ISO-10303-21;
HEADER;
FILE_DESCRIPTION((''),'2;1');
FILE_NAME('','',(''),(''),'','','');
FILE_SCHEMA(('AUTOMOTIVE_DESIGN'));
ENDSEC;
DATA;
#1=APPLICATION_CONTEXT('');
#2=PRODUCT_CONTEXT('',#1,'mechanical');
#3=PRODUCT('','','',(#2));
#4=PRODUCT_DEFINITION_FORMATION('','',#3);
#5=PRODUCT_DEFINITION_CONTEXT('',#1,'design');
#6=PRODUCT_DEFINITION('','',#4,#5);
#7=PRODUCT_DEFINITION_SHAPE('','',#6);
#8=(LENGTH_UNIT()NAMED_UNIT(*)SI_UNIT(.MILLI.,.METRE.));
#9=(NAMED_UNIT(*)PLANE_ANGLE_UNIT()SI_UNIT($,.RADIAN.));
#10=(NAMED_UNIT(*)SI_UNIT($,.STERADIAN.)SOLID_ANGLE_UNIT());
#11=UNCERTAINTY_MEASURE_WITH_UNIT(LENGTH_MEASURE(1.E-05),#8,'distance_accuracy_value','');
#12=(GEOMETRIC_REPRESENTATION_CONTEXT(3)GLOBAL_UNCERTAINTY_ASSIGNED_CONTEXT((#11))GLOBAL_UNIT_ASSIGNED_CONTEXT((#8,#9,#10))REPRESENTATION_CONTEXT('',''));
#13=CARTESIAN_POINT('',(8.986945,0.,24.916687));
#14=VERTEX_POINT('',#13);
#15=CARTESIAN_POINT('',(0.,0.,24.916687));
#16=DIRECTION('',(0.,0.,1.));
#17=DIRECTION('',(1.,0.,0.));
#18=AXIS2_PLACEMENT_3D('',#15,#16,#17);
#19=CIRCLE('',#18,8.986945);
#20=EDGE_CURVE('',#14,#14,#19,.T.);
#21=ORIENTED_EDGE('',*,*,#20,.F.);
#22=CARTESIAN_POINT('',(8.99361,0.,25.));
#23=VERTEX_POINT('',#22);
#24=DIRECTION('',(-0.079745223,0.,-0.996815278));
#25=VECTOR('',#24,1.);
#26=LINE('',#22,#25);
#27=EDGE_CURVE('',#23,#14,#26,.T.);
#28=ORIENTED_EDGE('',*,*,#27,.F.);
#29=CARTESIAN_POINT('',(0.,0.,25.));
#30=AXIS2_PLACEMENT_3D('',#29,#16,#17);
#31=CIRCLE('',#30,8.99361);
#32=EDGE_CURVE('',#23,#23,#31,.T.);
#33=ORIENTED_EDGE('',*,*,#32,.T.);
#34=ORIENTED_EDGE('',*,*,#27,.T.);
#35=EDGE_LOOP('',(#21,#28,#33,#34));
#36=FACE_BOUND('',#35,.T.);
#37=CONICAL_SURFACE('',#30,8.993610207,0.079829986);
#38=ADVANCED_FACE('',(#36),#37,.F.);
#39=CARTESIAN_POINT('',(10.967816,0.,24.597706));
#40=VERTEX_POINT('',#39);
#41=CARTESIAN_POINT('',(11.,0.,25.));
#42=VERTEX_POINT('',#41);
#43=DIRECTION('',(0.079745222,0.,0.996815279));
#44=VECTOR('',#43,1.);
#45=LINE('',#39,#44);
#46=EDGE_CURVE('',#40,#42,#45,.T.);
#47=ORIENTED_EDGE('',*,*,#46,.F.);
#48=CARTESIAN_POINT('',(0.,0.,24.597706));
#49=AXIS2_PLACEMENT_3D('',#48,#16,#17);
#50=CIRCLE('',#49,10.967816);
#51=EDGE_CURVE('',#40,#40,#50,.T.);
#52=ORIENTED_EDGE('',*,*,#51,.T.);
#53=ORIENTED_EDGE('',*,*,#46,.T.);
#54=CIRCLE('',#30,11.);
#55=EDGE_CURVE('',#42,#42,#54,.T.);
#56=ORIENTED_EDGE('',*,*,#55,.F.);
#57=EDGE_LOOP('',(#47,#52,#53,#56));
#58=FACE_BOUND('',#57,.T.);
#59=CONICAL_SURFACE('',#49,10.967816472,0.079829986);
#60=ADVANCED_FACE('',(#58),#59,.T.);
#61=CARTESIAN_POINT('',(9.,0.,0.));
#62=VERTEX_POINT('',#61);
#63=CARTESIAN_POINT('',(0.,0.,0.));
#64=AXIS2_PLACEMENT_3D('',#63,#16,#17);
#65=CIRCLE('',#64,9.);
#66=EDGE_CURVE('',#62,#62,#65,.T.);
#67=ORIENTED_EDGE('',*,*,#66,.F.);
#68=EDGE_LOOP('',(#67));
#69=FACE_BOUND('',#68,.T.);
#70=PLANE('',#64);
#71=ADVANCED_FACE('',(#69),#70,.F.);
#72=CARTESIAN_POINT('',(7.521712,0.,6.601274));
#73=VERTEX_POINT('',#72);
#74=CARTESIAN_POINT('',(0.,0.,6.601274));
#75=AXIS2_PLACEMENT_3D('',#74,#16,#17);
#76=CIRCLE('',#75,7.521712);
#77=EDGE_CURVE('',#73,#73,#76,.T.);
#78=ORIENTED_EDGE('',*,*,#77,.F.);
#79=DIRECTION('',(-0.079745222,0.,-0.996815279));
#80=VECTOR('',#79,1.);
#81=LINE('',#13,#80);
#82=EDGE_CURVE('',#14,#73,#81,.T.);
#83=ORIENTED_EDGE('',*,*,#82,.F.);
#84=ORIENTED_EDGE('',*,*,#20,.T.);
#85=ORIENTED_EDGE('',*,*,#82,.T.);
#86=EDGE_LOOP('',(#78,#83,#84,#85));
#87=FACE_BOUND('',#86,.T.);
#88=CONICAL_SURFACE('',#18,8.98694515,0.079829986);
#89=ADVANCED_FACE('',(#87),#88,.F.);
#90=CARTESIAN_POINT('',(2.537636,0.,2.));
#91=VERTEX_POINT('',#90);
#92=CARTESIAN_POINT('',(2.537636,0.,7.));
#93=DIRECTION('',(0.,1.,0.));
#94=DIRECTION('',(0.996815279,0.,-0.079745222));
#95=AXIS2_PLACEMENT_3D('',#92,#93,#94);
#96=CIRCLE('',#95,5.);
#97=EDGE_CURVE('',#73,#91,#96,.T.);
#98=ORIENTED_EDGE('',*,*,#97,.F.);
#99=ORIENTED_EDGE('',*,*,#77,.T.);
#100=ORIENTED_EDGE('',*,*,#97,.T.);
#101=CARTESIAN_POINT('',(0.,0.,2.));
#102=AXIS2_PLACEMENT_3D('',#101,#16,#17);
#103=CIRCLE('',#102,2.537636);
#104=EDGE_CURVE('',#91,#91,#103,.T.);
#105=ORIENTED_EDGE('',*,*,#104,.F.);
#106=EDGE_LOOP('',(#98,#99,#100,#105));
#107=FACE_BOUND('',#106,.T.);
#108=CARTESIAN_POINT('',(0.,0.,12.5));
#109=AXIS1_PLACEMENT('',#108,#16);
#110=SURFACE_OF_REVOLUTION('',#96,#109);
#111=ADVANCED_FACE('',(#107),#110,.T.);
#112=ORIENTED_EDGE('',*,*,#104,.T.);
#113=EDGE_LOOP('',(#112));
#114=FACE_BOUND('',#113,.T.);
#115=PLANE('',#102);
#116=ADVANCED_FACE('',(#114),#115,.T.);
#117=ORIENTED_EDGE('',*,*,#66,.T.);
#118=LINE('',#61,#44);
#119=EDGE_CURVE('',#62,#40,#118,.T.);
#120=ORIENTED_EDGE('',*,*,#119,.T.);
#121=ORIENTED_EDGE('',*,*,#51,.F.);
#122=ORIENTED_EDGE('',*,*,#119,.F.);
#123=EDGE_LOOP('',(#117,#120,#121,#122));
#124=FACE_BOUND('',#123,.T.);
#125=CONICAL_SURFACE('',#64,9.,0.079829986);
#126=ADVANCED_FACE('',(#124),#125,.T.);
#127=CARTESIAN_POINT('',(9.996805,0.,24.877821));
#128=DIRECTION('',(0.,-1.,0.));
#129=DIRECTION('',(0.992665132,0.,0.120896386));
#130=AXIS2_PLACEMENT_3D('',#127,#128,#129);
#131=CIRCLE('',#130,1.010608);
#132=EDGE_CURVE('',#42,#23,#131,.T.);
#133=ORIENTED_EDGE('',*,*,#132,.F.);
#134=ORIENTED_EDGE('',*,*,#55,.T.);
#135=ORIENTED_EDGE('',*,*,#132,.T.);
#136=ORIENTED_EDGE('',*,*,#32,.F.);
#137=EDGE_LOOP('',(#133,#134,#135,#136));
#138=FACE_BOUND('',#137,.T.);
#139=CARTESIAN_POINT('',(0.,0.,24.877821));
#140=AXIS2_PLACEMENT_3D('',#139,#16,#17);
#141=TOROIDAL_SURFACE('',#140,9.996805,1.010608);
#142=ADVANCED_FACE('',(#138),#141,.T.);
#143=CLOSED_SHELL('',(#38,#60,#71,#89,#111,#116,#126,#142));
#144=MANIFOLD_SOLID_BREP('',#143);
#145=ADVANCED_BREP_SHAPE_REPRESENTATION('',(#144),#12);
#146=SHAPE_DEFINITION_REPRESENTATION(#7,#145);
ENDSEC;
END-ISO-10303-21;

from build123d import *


with BuildPart() as f1:
    # F0 (on Front) → F1 (revolve)
    with BuildSketch(Plane.XZ):
        with BuildLine():
            Line((0, 2), (0, 0))
            Line((0, 0), (9, 0))
            Line((9, 0), (10.9678164715, 24.5977058939))
            Line((10.9678164715, 24.5977058939), (11, 25))
            Line((11, 25), (8.9936102074, 25))
            Line((8.9936102074, 25), (8.98694515, 24.9166867831))
            Line((8.98694515, 24.9166867831), (7.5217121184, 6.6012738886))
            ThreePointArc((7.5217121184, 6.6012738886), (5.9292702464, 3.3261987971), (2.5376357258, 2))
            Line((2.5376357258, 2), (0, 2))
        make_face()
        with BuildLine():
            Line((8.9936102074, 25), (11, 25))
            ThreePointArc((11, 25), (9.9968051037, 25.8884287672), (8.9936102074, 25))
        make_face()
    revolve(axis=Axis((0, 0, 12.5), (0, 0, 1)))


solid = f1.part
